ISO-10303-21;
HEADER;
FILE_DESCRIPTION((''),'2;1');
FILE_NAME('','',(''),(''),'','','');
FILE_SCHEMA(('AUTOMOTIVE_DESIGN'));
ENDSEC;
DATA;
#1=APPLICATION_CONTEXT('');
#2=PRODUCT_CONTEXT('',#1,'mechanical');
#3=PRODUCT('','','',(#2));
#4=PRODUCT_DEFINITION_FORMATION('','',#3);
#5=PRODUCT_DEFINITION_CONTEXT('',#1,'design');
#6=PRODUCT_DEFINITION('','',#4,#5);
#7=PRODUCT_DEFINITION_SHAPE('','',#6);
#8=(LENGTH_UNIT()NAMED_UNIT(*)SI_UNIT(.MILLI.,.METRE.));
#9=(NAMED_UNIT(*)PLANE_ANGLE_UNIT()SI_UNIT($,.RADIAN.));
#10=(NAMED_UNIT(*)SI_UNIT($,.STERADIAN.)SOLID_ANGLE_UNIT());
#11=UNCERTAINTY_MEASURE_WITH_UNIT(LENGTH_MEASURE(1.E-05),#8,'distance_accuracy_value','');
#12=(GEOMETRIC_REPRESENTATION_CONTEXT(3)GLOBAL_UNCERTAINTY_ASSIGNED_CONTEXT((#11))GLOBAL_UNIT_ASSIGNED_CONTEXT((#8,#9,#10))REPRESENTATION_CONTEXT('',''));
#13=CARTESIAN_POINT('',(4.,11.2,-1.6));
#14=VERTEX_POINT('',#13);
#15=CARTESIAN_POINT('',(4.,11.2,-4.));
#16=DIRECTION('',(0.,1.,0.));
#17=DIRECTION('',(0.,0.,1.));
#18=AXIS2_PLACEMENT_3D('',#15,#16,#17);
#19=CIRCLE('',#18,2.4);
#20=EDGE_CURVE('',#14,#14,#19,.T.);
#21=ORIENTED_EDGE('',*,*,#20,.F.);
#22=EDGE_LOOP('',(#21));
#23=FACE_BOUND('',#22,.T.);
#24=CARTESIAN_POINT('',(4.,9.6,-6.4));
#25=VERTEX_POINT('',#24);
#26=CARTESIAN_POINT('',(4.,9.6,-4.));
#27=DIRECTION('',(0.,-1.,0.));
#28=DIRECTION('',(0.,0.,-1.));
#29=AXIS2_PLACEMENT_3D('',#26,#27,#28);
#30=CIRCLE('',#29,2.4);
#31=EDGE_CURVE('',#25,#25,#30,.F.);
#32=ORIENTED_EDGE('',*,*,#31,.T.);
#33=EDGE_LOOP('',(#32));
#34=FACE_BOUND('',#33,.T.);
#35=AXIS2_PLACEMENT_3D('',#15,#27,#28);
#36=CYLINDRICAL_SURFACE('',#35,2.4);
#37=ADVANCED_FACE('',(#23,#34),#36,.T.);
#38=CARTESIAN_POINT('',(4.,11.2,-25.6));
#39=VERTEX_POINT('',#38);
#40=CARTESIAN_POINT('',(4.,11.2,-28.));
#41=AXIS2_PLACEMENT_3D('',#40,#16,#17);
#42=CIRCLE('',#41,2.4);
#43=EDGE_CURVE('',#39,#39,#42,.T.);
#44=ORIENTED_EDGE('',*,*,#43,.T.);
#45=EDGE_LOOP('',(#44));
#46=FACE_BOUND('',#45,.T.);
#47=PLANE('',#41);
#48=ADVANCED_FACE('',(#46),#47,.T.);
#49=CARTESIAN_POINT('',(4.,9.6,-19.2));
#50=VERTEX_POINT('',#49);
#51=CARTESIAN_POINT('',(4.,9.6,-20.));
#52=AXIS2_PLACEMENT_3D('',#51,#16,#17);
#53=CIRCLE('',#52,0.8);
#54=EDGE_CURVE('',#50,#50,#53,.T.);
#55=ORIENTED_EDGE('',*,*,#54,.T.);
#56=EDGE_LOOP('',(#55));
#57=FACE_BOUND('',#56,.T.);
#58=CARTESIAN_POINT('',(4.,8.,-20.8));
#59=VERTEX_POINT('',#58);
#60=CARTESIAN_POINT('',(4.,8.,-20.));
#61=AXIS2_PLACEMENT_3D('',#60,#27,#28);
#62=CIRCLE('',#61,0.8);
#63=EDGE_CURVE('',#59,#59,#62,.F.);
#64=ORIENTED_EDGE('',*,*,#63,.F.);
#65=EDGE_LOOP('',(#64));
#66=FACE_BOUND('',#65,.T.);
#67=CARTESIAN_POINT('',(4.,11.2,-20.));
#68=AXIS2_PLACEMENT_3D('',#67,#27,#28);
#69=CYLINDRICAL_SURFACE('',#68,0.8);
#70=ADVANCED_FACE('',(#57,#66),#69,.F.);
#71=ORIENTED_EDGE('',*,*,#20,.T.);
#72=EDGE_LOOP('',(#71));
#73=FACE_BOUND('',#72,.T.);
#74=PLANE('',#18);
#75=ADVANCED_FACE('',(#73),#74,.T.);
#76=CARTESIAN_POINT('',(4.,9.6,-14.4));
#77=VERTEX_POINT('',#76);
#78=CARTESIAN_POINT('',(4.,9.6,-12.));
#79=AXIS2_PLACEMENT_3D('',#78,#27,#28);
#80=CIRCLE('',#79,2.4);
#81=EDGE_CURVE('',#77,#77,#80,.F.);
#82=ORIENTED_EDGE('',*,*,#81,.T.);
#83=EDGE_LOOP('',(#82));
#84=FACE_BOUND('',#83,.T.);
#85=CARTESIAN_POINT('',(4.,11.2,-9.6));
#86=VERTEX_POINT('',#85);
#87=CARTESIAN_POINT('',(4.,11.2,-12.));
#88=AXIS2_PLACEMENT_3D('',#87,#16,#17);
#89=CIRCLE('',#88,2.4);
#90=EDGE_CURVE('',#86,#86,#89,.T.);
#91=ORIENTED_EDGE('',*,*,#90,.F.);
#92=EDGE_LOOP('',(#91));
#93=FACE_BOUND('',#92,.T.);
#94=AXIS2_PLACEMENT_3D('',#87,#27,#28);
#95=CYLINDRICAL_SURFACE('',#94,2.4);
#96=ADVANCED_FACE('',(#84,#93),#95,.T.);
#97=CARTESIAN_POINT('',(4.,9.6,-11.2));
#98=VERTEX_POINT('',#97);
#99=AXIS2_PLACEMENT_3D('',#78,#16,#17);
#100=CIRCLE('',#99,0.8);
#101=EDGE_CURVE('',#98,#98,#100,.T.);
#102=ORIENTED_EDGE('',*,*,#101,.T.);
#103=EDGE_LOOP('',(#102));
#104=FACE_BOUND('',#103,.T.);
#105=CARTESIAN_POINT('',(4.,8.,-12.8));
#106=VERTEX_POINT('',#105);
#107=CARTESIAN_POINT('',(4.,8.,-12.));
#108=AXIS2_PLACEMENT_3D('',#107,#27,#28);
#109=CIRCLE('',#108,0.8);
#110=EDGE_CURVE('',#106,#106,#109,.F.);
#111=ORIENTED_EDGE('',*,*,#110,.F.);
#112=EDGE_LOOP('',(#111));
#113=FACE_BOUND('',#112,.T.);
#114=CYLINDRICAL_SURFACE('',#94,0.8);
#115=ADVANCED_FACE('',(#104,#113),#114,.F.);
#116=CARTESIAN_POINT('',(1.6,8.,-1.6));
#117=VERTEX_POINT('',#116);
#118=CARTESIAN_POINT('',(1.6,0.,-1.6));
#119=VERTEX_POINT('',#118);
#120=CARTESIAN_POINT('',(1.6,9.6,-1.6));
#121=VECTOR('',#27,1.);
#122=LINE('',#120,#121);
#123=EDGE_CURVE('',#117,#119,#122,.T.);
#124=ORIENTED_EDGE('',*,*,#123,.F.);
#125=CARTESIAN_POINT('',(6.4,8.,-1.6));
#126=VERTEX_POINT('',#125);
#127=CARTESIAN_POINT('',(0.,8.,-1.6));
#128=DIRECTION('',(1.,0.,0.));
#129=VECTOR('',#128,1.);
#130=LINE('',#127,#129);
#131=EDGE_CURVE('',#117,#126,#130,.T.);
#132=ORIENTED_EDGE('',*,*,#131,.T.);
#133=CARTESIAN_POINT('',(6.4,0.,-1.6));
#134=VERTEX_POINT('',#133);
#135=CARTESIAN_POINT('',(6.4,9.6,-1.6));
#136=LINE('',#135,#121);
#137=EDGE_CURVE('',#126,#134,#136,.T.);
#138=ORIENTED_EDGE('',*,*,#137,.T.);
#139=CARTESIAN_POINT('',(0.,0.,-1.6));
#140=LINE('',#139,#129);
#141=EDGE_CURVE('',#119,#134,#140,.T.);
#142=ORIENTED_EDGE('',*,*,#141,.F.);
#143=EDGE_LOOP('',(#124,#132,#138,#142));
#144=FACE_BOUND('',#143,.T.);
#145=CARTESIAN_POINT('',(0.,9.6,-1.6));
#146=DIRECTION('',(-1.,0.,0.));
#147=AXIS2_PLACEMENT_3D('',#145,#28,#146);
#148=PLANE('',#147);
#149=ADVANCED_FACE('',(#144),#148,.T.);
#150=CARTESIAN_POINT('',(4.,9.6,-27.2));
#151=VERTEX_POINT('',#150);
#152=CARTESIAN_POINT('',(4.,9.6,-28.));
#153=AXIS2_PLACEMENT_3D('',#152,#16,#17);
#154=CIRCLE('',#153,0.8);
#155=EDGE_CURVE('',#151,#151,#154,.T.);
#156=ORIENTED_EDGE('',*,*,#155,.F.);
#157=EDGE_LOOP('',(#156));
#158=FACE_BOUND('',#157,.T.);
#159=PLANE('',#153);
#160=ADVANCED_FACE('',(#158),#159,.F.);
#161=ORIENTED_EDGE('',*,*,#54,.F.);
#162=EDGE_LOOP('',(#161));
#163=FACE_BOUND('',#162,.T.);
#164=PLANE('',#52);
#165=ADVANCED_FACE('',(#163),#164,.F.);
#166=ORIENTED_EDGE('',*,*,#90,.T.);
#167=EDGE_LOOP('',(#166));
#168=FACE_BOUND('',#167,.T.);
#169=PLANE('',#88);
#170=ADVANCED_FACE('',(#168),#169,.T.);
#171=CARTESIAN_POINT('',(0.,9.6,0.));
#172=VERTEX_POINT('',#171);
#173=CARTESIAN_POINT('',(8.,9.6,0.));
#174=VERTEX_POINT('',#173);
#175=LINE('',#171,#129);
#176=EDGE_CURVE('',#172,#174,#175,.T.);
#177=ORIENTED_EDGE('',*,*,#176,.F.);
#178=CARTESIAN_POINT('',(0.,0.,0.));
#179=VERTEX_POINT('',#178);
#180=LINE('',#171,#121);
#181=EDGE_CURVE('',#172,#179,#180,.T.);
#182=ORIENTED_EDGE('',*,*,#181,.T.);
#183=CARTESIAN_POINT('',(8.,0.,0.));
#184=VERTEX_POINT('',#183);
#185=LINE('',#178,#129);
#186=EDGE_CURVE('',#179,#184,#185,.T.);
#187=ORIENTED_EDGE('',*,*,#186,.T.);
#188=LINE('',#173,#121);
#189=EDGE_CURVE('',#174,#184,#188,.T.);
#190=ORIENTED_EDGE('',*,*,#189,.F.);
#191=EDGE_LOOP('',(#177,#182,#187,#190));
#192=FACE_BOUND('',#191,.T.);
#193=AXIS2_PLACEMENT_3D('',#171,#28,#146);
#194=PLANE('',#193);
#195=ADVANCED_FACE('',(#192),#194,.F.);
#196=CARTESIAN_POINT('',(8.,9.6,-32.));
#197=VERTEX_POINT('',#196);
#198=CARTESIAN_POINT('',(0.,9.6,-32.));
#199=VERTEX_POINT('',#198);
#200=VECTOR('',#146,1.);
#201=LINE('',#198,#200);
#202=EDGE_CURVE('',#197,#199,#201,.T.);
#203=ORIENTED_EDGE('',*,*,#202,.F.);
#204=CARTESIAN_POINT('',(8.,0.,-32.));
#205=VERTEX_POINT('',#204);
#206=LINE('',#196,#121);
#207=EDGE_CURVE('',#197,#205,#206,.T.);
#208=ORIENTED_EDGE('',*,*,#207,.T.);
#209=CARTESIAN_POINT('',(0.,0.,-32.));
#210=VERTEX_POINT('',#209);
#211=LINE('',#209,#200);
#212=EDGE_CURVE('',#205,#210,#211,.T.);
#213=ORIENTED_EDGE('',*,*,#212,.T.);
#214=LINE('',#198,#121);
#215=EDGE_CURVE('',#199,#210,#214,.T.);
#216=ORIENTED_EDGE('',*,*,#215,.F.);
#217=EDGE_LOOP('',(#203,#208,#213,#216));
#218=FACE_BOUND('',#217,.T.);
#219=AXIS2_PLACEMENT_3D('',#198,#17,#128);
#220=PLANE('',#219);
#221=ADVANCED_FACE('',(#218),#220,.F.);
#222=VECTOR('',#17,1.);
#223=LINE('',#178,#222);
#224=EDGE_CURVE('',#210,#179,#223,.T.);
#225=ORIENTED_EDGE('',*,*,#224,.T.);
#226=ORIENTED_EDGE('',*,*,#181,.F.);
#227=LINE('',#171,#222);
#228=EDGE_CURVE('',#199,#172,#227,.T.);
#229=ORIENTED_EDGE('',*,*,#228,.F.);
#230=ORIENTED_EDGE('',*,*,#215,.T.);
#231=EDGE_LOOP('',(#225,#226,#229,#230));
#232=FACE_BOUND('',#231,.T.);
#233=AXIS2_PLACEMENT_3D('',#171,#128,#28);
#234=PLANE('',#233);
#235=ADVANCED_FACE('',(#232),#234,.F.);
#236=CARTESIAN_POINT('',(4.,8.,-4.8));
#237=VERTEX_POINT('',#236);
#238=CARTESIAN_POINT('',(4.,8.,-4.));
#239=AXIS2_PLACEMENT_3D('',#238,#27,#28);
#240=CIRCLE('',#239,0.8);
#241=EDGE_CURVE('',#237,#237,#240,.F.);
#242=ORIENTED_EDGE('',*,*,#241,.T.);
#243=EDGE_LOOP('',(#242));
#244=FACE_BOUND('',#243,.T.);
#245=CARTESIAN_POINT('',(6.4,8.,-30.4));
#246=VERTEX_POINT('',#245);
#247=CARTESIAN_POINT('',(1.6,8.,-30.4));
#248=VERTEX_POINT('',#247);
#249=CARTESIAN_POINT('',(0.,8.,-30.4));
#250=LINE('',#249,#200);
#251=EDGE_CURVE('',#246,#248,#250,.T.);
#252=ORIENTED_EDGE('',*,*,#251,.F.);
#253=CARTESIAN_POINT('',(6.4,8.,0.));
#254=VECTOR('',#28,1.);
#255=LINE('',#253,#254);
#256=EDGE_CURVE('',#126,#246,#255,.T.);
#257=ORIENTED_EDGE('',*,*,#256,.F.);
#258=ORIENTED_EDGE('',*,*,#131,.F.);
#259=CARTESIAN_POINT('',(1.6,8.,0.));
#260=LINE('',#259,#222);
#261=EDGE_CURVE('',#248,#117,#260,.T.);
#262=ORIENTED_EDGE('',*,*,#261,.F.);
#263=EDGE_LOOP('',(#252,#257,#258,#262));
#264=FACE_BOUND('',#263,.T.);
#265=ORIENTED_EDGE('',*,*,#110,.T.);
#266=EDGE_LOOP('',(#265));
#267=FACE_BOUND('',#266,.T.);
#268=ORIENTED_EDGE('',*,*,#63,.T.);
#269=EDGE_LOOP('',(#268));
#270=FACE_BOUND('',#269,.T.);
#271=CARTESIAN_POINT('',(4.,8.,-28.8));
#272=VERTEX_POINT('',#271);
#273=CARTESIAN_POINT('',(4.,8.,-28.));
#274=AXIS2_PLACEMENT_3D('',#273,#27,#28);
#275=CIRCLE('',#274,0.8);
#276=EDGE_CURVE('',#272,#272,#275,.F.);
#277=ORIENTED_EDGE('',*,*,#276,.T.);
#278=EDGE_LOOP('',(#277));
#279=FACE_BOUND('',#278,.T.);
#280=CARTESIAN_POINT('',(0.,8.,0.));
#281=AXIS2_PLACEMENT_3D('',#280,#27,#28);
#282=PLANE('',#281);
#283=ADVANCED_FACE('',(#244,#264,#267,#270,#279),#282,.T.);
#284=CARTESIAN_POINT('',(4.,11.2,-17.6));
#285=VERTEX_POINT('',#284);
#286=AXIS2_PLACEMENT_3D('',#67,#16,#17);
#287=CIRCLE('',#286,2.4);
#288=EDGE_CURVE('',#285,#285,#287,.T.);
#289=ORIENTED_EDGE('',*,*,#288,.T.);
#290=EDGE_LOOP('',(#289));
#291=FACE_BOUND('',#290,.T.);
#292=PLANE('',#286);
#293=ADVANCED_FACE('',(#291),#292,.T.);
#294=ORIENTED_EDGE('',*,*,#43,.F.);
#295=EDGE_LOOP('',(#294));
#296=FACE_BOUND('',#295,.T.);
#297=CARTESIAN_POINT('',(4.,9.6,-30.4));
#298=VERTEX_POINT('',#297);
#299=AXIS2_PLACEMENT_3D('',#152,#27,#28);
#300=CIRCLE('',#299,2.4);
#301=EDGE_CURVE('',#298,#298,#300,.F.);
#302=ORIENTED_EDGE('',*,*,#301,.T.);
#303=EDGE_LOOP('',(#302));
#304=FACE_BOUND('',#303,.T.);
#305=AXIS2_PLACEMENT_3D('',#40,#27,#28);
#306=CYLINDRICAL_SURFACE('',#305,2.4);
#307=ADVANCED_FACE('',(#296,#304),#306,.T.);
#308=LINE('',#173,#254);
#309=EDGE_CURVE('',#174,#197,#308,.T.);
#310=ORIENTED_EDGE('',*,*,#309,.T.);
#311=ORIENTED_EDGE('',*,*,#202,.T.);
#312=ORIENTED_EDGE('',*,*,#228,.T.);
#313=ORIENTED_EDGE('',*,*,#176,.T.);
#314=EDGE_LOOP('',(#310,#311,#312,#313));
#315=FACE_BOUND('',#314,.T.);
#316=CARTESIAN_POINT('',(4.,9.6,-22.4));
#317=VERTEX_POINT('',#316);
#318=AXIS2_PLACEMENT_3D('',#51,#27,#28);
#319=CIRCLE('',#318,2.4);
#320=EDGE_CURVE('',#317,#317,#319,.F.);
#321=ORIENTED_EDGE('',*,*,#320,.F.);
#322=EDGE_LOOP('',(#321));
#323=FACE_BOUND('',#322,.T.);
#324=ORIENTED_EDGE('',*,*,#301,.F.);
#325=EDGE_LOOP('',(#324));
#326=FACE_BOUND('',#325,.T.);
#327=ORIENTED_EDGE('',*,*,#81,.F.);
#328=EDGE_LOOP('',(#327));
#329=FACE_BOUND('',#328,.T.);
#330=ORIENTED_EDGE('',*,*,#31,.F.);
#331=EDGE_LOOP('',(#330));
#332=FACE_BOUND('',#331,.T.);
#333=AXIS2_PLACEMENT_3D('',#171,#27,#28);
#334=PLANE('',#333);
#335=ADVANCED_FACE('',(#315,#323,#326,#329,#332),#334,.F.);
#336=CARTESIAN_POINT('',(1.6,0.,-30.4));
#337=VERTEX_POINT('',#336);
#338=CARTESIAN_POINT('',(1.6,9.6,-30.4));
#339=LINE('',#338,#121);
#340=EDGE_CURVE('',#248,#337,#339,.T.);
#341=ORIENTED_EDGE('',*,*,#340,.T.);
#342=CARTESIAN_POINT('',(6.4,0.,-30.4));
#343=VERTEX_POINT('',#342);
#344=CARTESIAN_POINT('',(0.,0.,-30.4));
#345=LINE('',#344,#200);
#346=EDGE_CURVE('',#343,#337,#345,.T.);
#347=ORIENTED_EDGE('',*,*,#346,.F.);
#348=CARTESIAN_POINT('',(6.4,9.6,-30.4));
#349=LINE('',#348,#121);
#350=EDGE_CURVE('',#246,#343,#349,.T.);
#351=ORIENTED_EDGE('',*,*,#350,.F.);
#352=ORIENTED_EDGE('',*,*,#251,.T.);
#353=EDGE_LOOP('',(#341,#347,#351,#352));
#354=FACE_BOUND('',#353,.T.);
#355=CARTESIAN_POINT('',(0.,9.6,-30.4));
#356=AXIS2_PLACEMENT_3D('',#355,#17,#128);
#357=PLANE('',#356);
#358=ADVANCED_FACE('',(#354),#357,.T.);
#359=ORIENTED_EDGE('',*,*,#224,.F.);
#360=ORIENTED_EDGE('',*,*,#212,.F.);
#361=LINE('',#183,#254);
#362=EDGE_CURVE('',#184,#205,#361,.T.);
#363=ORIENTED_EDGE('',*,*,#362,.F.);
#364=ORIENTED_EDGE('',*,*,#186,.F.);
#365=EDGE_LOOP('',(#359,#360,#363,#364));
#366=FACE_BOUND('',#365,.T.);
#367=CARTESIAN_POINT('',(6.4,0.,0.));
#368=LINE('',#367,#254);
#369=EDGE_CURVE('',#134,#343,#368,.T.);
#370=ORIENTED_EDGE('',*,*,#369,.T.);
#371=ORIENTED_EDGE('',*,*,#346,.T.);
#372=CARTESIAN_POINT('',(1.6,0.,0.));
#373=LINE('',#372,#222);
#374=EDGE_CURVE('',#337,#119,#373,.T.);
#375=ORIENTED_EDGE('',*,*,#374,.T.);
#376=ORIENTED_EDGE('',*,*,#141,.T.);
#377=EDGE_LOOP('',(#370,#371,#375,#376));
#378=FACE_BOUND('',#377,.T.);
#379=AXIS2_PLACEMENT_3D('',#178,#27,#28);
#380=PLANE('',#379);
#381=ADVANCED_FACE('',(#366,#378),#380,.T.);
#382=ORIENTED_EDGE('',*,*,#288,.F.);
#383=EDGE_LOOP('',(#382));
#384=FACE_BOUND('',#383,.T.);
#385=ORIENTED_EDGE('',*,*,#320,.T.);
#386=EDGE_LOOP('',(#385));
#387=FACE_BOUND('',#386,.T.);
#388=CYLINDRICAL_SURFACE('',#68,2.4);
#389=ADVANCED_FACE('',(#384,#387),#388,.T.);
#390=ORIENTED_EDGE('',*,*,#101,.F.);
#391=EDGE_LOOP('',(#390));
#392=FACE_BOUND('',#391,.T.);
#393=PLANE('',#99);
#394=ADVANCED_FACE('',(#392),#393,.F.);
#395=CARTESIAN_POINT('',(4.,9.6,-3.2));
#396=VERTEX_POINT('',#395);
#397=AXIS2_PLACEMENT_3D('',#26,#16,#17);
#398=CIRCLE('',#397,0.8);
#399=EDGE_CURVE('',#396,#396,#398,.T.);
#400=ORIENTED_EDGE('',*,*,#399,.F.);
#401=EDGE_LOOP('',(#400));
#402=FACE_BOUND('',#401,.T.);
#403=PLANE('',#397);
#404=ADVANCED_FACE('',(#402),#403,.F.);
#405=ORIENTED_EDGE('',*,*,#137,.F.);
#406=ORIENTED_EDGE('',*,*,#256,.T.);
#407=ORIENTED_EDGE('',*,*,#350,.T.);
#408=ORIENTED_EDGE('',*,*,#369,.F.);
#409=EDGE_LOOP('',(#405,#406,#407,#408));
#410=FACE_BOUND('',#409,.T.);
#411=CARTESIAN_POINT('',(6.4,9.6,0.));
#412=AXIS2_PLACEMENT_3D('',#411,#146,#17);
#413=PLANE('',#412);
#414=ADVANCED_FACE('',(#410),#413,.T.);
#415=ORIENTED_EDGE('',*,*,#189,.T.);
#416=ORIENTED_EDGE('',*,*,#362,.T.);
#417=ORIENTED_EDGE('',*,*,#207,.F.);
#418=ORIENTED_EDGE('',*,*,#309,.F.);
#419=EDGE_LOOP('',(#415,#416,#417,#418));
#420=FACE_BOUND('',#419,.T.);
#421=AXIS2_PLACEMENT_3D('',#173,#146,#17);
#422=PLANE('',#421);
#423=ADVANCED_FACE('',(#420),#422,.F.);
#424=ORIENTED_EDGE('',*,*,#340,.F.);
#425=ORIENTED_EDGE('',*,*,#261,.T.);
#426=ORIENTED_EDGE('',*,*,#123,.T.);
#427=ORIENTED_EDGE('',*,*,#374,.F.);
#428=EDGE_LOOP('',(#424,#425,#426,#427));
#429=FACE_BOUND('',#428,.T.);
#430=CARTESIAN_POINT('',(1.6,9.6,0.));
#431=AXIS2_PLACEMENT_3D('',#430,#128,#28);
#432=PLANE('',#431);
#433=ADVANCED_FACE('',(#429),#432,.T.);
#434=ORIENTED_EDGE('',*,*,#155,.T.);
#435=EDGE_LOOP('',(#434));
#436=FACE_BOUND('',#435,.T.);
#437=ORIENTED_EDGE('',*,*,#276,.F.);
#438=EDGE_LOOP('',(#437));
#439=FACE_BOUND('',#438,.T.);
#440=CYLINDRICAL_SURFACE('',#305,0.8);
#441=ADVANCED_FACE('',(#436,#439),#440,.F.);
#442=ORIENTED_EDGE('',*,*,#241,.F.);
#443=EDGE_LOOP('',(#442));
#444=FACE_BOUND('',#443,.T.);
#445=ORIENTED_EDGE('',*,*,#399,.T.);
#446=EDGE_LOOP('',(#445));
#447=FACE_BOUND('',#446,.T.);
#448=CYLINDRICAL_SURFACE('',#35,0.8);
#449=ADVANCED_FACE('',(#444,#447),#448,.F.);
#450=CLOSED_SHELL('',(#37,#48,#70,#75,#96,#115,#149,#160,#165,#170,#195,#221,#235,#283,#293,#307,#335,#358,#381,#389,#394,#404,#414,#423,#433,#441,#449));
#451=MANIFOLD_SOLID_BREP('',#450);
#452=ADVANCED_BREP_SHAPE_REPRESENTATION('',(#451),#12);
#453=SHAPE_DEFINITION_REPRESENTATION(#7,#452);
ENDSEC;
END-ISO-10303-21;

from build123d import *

# Parameters (mm, degrees)
SKETCH1_W            = 8
SKETCH1_H            = 32
BOSS_EXTRUDE1_DEPTH  = 9.6
SKETCH2_R            = 2.4
BOSS_EXTRUDE2_DEPTH  = 1.6
LPATTERN1_COUNT      = 2
LPATTERN1_PITCH      = 8
LPATTERN1_COUNT_DIR2 = 4
LPATTERN1_PITCH_DIR2 = 8
SHELL1_T             = -1.6


with BuildPart() as part:
    # Sketch1 → Boss-Extrude1 (new body)
    with BuildSketch(Plane(origin=(0, 0, 0), x_dir=(1, 0, 0), z_dir=(0, 1, 0))):
        with Locations((4, 16)):
            Rectangle(SKETCH1_W, SKETCH1_H)
    extrude(amount=BOSS_EXTRUDE1_DEPTH)

    # Sketch2 → Boss-Extrude2 (add)
    with BuildSketch(Plane(origin=(0, 9.6, 0), x_dir=(1, 0, 0), z_dir=(0, 1, 0))):
        with Locations(Location((4, 4, 0), (0, 0, 90))):
            Circle(SKETCH2_R)
    boss_extrude2 = extrude(amount=BOSS_EXTRUDE2_DEPTH)

    # LPattern1: Boss-Extrude2 2 × 4, 4 skipped
    with Locations(*[(i * LPATTERN1_PITCH, 0, -j * LPATTERN1_PITCH_DIR2) for i in range(LPATTERN1_COUNT) for j in range(LPATTERN1_COUNT_DIR2) if (i, j) not in ((0, 0), (1, 0), (1, 1), (1, 2), (1, 3))]):
        add(boss_extrude2)

    # Shell1
    shell1_openings = [part.faces().sort_by_distance(p)[0] for p in [
        (4, 0, -16),
    ]]
    offset(amount=SHELL1_T, openings=shell1_openings, kind=Kind.INTERSECTION)


solid = part.part
